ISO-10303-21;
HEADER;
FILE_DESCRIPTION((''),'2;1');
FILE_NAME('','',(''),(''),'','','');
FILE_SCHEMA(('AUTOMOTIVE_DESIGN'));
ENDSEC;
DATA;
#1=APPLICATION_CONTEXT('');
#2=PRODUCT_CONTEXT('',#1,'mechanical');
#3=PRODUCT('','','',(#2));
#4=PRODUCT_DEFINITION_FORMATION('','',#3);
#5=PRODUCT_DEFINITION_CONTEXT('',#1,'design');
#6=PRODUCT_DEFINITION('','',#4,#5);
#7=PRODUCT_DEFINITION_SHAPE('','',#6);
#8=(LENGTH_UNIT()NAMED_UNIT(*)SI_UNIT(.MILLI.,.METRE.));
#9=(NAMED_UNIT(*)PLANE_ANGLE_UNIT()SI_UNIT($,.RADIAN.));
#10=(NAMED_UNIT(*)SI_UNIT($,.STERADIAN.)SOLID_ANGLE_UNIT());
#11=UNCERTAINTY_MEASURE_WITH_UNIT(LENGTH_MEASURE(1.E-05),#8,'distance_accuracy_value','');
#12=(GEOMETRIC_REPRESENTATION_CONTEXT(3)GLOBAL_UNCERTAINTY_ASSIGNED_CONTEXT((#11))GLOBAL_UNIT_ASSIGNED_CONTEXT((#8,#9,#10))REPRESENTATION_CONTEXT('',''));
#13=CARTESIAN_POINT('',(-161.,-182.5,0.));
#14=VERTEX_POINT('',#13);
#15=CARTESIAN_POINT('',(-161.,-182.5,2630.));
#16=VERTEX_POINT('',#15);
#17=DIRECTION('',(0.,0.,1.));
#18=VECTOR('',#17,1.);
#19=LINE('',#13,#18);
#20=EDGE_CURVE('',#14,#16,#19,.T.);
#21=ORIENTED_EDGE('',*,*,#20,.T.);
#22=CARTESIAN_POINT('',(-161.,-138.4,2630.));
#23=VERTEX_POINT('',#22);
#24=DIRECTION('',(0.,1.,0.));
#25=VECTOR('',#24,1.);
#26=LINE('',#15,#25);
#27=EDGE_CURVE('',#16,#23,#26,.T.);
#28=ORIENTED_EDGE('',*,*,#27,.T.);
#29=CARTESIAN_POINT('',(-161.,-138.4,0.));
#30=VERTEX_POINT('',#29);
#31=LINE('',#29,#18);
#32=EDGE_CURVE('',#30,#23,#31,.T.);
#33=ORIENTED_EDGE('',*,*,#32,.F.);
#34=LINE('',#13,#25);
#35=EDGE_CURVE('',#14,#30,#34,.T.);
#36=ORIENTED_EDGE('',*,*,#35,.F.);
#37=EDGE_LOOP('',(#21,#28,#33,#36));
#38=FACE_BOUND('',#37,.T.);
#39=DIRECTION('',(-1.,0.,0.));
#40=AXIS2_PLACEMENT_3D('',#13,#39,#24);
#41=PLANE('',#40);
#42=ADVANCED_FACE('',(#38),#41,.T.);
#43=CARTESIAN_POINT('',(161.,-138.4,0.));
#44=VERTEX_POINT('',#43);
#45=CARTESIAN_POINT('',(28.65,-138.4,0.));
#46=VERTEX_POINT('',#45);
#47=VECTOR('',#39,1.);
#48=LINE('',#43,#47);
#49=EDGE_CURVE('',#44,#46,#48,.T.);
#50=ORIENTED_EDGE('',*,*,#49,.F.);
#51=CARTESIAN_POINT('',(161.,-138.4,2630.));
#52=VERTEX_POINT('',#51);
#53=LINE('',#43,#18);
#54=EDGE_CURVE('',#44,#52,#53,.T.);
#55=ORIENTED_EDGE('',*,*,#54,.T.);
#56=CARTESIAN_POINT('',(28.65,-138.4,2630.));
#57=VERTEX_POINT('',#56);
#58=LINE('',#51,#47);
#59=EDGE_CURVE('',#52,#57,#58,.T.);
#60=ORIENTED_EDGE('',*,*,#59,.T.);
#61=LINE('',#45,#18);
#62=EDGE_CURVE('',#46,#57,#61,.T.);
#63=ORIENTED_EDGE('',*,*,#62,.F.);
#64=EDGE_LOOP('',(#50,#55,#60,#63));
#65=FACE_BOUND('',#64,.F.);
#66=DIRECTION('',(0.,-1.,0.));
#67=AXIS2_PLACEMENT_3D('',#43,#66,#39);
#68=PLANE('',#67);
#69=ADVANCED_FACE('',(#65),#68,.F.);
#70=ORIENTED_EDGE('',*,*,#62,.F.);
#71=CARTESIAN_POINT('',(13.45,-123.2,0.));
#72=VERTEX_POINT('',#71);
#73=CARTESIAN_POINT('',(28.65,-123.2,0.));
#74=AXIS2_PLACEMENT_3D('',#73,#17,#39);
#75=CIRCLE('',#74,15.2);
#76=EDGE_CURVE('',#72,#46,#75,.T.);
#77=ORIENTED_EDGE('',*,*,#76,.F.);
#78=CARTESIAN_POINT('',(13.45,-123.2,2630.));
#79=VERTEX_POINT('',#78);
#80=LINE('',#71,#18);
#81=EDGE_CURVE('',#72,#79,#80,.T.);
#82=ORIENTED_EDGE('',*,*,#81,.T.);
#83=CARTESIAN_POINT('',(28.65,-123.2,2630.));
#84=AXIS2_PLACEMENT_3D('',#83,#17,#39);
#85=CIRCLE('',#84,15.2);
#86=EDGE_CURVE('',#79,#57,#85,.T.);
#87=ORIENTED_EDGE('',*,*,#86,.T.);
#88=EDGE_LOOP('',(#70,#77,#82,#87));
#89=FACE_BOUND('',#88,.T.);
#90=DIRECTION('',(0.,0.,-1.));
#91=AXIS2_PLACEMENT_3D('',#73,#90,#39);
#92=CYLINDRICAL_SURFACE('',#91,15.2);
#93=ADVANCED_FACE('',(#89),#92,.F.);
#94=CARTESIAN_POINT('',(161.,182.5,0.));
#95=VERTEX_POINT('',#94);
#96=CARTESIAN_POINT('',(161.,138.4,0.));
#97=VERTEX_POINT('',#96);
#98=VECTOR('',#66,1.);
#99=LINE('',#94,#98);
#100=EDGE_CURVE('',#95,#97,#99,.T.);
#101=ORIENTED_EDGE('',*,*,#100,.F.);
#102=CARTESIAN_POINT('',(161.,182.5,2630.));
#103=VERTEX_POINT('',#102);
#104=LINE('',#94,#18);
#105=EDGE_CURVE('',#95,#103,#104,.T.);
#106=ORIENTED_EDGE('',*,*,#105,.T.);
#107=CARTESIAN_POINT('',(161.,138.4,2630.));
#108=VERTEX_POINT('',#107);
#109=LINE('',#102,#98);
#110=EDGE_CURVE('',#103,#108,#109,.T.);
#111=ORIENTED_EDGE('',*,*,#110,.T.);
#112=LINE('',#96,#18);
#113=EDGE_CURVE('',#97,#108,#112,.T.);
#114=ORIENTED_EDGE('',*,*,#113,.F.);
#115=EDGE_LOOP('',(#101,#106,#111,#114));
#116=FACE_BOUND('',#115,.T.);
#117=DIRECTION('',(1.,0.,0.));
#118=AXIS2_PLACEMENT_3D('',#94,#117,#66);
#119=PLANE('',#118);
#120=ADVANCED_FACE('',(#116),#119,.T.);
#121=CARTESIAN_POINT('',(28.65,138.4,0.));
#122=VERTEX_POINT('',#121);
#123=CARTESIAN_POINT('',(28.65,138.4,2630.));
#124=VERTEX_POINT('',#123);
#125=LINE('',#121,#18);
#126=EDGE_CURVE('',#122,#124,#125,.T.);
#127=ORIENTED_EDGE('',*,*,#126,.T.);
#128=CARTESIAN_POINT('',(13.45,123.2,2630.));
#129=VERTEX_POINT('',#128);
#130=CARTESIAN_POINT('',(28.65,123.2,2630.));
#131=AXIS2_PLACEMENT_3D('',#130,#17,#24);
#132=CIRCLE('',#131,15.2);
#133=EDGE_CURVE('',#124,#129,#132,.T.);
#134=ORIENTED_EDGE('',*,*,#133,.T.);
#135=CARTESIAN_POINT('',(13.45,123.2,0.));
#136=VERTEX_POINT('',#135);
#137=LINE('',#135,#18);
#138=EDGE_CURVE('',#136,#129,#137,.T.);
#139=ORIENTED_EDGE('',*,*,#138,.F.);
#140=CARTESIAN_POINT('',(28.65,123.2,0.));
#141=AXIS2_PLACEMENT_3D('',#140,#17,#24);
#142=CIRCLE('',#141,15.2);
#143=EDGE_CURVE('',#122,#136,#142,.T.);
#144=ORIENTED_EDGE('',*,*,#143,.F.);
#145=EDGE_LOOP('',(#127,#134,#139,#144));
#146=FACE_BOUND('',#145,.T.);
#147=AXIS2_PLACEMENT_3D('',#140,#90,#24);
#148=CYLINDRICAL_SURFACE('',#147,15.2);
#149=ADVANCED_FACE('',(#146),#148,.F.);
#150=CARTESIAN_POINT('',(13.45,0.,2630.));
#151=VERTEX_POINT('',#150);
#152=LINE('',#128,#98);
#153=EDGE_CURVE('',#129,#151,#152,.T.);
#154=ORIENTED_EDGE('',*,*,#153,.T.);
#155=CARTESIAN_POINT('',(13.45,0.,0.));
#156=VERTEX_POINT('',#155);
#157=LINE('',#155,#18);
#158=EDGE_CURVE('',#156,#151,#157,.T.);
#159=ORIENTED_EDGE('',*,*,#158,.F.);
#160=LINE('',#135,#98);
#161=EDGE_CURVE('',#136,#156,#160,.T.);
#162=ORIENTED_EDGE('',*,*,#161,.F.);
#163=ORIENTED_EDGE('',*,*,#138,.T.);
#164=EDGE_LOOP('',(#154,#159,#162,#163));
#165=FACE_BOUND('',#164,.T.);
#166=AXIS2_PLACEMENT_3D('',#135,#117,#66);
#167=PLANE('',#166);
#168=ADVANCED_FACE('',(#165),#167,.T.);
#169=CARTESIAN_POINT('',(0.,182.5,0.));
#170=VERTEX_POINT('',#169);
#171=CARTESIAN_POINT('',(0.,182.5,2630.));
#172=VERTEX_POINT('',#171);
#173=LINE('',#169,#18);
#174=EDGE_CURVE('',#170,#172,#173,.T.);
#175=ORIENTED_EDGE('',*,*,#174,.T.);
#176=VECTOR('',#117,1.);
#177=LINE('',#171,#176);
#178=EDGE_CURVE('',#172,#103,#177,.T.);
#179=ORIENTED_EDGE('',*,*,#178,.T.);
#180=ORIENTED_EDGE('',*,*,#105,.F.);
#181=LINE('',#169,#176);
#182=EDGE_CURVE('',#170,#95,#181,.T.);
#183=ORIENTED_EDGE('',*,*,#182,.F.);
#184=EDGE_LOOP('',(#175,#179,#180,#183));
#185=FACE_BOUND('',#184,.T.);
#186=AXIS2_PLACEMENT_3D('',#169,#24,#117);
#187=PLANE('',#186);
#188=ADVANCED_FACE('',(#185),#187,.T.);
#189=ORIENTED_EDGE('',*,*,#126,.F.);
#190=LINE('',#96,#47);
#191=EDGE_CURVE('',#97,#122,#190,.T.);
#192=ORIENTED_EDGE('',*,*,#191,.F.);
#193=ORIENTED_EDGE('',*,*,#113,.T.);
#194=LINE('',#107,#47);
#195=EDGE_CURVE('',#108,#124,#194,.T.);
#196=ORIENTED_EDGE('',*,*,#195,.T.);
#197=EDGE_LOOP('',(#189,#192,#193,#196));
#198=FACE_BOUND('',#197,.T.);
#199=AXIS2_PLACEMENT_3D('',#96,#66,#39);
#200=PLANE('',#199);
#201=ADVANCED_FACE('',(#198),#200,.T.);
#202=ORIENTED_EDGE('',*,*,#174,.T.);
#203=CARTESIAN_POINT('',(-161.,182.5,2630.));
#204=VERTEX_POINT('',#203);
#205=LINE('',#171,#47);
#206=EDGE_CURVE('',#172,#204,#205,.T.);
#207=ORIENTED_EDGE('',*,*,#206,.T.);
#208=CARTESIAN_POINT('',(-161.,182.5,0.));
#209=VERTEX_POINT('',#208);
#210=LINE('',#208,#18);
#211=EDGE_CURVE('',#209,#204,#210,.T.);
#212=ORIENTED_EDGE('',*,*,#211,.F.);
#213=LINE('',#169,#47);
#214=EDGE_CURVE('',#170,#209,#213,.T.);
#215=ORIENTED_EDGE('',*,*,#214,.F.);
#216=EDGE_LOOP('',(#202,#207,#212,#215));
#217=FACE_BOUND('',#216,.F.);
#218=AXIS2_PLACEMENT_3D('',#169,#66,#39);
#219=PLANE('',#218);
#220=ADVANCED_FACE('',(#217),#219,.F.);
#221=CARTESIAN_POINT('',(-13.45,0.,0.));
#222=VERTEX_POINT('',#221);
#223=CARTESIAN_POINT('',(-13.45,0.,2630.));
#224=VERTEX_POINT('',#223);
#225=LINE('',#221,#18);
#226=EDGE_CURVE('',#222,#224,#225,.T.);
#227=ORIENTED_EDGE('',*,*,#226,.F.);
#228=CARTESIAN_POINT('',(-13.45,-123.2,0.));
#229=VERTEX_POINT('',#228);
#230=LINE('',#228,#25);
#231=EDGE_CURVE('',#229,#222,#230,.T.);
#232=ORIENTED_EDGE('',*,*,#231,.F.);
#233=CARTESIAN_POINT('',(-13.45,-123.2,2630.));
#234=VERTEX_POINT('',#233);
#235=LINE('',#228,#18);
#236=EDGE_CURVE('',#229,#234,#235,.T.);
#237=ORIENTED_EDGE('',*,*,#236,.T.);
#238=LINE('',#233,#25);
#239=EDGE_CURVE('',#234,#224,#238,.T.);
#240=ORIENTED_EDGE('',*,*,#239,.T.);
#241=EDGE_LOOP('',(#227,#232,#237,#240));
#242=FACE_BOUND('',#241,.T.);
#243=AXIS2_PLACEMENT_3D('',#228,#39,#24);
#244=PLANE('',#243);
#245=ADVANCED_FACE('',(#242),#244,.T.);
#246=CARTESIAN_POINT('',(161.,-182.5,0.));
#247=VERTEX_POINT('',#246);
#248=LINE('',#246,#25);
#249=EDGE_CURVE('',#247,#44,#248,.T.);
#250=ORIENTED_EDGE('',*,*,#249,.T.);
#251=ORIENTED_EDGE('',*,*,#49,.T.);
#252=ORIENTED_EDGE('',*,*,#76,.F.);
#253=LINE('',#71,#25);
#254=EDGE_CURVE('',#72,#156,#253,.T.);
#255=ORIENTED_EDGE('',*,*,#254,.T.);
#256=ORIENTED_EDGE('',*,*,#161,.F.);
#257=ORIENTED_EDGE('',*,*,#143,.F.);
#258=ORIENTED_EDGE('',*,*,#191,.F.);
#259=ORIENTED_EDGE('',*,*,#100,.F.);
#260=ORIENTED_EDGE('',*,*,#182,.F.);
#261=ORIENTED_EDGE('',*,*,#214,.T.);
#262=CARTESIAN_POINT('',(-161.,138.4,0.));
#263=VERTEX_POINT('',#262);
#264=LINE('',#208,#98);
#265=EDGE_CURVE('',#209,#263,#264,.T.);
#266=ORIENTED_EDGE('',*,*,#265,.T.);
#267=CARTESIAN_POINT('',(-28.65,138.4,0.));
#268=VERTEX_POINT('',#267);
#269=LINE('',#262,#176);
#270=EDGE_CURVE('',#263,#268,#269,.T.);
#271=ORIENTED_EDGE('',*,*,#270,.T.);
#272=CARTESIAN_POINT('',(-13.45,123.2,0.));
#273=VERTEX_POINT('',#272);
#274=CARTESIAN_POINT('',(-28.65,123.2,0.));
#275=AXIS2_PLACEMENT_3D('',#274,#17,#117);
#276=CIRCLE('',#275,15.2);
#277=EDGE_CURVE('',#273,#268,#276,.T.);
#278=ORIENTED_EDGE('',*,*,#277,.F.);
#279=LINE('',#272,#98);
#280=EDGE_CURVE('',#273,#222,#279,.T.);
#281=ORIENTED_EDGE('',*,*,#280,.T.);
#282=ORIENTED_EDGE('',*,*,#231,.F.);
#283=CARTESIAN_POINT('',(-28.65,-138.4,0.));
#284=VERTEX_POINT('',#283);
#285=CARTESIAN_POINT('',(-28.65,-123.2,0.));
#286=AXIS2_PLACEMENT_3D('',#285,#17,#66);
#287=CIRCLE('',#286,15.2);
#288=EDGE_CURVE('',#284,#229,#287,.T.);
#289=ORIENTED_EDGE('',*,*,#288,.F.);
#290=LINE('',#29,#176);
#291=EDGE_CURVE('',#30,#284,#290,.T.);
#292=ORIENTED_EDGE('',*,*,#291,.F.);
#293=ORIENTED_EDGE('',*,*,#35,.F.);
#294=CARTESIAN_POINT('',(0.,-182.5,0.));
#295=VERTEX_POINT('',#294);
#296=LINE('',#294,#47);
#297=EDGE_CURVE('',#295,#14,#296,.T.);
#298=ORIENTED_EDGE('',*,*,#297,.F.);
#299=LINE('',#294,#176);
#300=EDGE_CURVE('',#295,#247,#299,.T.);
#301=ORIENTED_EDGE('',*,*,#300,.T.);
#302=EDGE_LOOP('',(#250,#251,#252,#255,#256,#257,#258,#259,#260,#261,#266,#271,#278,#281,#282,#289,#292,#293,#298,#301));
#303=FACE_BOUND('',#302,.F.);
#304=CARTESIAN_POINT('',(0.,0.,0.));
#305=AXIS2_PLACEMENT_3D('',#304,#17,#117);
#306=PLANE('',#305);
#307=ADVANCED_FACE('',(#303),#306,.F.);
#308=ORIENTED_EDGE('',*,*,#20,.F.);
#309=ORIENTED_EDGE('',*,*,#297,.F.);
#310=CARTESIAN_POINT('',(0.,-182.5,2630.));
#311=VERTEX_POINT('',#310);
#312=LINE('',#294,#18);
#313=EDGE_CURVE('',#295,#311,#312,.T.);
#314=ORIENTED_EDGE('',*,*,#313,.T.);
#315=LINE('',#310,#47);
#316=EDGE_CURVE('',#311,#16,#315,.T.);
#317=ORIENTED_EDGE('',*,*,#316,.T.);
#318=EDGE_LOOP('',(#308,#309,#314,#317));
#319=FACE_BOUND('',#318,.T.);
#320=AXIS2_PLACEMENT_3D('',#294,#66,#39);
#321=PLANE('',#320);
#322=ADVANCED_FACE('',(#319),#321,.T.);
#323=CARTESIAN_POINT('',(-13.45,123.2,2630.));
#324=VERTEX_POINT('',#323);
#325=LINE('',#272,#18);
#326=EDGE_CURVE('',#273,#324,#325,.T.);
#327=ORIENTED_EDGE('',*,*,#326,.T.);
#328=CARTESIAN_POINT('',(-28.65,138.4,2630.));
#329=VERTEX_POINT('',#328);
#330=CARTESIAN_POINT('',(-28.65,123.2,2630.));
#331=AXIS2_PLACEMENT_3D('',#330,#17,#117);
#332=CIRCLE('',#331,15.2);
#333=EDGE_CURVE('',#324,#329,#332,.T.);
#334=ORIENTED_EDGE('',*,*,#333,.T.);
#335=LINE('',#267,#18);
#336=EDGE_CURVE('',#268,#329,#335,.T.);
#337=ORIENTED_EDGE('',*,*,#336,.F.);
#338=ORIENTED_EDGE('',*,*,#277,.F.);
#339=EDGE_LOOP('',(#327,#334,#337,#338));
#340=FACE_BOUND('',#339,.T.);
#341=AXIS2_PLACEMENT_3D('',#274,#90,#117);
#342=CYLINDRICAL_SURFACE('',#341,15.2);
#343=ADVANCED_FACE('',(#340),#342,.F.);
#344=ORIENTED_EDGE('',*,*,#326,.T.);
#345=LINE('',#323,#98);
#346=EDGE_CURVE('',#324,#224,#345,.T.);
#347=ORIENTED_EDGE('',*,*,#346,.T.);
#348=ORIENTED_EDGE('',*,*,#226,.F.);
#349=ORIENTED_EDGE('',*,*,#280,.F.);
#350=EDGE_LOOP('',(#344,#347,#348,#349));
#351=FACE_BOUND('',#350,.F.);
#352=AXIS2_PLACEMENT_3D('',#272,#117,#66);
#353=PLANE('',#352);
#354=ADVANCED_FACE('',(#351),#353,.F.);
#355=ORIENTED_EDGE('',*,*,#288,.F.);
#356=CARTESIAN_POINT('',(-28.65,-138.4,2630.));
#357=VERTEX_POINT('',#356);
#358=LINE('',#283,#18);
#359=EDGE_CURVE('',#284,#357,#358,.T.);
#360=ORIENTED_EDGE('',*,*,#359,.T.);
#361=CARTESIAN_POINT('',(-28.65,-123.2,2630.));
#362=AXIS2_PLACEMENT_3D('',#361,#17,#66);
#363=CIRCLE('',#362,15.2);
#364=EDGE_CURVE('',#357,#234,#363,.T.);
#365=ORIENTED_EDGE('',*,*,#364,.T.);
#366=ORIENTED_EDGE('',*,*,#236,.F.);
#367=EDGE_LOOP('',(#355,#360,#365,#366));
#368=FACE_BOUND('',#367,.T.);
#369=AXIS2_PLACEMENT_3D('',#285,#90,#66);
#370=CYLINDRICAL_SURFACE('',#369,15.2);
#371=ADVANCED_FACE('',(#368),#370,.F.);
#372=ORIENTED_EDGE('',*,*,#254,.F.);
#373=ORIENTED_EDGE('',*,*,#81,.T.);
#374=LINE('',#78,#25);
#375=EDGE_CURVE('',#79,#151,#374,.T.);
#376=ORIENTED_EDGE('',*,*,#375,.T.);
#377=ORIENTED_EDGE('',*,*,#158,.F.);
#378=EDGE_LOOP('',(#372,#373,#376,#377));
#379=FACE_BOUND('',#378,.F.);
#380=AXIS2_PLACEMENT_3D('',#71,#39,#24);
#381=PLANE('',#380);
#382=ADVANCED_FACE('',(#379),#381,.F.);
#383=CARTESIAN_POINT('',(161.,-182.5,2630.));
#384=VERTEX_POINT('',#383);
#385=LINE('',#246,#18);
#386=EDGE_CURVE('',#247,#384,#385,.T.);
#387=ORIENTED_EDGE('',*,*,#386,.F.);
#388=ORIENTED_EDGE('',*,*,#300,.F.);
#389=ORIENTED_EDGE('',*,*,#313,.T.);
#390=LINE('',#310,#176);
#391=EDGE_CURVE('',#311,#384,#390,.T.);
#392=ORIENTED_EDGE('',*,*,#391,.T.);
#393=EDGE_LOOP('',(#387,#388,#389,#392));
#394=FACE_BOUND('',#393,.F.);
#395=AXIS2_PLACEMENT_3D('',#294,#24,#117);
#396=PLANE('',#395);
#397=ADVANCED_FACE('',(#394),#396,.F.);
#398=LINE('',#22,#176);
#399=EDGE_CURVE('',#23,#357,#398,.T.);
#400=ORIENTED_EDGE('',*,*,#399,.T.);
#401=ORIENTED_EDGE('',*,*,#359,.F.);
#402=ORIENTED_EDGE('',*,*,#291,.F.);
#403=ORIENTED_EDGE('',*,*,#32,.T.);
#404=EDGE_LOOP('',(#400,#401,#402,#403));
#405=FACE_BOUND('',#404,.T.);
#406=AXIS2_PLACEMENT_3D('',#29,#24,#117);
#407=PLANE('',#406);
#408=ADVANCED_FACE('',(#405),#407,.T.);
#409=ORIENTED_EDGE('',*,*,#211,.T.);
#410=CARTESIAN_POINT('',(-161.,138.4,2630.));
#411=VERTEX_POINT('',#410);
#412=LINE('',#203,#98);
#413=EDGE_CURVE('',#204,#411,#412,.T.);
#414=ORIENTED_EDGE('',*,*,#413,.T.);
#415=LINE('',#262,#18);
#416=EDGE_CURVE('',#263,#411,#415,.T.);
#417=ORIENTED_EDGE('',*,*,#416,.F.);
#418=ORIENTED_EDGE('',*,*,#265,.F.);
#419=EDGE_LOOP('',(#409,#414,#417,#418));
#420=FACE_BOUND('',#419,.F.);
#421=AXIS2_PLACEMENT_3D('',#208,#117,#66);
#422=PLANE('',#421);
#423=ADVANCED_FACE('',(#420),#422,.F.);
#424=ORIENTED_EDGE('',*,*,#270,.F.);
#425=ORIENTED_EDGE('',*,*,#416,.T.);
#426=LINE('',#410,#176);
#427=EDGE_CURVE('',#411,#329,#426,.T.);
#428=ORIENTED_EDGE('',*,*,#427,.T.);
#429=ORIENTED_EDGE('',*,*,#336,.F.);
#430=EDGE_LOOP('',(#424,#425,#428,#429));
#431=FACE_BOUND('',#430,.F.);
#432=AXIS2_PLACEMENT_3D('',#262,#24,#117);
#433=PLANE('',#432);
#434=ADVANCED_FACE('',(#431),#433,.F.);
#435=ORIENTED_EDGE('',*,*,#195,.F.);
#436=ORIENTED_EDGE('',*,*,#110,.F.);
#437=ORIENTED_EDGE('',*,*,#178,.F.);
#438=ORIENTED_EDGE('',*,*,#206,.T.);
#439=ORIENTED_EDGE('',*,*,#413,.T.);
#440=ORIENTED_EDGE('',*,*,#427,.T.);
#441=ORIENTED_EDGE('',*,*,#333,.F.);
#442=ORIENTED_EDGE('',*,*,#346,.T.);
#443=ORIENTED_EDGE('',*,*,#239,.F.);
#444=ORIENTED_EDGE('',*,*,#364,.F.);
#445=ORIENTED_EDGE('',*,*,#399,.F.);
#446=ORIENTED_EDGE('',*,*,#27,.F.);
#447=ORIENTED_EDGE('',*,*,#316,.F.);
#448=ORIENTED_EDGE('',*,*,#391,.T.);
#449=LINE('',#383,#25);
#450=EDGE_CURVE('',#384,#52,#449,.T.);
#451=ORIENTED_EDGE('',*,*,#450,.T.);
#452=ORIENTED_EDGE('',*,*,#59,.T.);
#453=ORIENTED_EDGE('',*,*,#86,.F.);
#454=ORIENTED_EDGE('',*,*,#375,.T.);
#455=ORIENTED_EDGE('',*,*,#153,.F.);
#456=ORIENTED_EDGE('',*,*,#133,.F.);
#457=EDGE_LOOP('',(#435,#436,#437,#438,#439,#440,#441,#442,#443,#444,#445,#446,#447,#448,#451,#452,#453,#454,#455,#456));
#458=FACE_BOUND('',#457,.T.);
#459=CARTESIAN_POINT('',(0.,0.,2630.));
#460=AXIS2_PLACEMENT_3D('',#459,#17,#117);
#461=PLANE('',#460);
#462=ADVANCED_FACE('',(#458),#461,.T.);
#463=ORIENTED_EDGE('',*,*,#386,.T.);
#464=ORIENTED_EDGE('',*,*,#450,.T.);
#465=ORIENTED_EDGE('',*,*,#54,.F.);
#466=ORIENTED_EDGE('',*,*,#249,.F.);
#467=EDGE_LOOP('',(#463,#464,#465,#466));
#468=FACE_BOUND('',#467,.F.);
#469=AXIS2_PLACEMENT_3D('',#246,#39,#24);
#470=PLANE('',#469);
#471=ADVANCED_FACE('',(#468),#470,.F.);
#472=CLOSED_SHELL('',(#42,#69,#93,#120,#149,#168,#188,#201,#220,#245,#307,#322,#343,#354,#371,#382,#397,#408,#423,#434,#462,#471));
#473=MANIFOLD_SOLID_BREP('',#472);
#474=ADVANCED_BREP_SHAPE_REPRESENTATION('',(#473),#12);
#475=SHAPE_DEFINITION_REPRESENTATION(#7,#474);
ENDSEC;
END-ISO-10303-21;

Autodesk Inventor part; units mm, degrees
ref_plane "YZ Plane" through (0, 0, 0) normal (1, 0, 0) x (0, 1, 0)
ref_plane "Start plane" through (0, 0, 0) normal (0, 0, 1) x (1, 0, 0)
ref_plane "End plane" through (0, 0, 2630) normal (0, 0, 1) x (1, 0, 0)
sketch "Sketch" plane through (0, 0, 0) normal (0, 0, 1) x (1, 0, 0)
  line L0 (-161, -182.5) -> (-161, -138.4)
  line L1 (-161, -138.4) -> (-28.65, -138.4)
  line L2 (-13.45, -123.2) -> (-13.45, 0)
  line L3 (-13.45, 0) -> (0, 0) construction
  line L4 (0, 0) -> (0, -182.5) construction
  line L5 (0, -182.5) -> (-161, -182.5)
  line L6 (-60, 0) -> (80, 0) construction
  line L7 (0, -60) -> (0, 80) construction
  line L8 (161, -182.5) -> (161, -138.4)
  line L9 (161, -138.4) -> (28.65, -138.4)
  line L10 (13.45, -123.2) -> (13.45, 0)
  line L11 (13.45, 0) -> (0, 0) construction
  line L12 (0, -182.5) -> (161, -182.5)
  line L13 (-161, 182.5) -> (-161, 138.4)
  line L14 (-161, 138.4) -> (-28.65, 138.4)
  line L15 (-13.45, 123.2) -> (-13.45, 0)
  line L16 (0, 182.5) -> (-161, 182.5)
  line L17 (161, 182.5) -> (161, 138.4)
  line L18 (161, 138.4) -> (28.65, 138.4)
  line L19 (0, 182.5) -> (161, 182.5)
  line L20 (13.45, 123.2) -> (13.45, 0)
  arc A0 (-13.45, 123.2) -> (-28.65, 138.4) centre (-28.65, 123.2) ccw
  arc A1 (28.65, 138.4) -> (13.45, 123.2) centre (28.65, 123.2) ccw
  arc A2 (13.45, -123.2) -> (28.65, -138.4) centre (28.65, -123.2) ccw
  arc A3 (-28.65, -138.4) -> (-13.45, -123.2) centre (-28.65, -123.2) ccw
  line L21 (0, 108) -> (0, -88) construction
  line L22 (-88, 0) -> (108, 0) construction
  point P0 (-13.45, -138.4)
  point P1 (13.45, -138.4)
  point P2 (-13.45, 138.4)
  point P3 (13.45, 138.4)
  dimension "d1" = 182.5
  dimension "d2" = 44.1
  dimension "d3" = 161
  dimension "d4" = 13.45
  dimension "d10" = 15.2
extrude "Body" add sketch "Sketch" along normal up to surface (2630 mm away) from surface at 0
sketch "Sketch4" plane through (0, 0, 0) normal (0, 0, 1) x (1, 0, 0)
  line L0 (0, 0) -> (10, 0)
ref_plane "Work Plane3" through (0, 0, 0) normal (0, -1, 0) x (1, 0, 0)
sketch "Sketch5" plane through (0, 0, 0) normal (0, -1, 0) x (1, 0, 0)
  line L0 (-2, 0) -> (12, 0) projected
  line L1 (-2, 2630) -> (12, 2630) projected
  dimension "d14" = 2630
equation "\"d1\" = 0.5 * G_H"
equation "\"d2\" = G_T1"
equation "\"d3\" = 0.5 * G_W"
equation "\"d4\" = 0.5 * G_T"
equation "\"d10\" = G_IR"
equation "\"d5\" = G_L"
equation "\"G_W\" = 322"
equation "\"G_H\" = 365"
equation "\"G_T\" = 26.9"
equation "\"G_T1\" = 44.1"
equation "\"G_IR\" = 15.2"
equation "\"G_L\" = d14"
equation "\"G_OFFSET_START\" = 0"
equation "\"G_OFFSET_END\" = 0"
properties part number "AS 3679 - 310 UC - 283 - 2630" material "Steel, Mild"
